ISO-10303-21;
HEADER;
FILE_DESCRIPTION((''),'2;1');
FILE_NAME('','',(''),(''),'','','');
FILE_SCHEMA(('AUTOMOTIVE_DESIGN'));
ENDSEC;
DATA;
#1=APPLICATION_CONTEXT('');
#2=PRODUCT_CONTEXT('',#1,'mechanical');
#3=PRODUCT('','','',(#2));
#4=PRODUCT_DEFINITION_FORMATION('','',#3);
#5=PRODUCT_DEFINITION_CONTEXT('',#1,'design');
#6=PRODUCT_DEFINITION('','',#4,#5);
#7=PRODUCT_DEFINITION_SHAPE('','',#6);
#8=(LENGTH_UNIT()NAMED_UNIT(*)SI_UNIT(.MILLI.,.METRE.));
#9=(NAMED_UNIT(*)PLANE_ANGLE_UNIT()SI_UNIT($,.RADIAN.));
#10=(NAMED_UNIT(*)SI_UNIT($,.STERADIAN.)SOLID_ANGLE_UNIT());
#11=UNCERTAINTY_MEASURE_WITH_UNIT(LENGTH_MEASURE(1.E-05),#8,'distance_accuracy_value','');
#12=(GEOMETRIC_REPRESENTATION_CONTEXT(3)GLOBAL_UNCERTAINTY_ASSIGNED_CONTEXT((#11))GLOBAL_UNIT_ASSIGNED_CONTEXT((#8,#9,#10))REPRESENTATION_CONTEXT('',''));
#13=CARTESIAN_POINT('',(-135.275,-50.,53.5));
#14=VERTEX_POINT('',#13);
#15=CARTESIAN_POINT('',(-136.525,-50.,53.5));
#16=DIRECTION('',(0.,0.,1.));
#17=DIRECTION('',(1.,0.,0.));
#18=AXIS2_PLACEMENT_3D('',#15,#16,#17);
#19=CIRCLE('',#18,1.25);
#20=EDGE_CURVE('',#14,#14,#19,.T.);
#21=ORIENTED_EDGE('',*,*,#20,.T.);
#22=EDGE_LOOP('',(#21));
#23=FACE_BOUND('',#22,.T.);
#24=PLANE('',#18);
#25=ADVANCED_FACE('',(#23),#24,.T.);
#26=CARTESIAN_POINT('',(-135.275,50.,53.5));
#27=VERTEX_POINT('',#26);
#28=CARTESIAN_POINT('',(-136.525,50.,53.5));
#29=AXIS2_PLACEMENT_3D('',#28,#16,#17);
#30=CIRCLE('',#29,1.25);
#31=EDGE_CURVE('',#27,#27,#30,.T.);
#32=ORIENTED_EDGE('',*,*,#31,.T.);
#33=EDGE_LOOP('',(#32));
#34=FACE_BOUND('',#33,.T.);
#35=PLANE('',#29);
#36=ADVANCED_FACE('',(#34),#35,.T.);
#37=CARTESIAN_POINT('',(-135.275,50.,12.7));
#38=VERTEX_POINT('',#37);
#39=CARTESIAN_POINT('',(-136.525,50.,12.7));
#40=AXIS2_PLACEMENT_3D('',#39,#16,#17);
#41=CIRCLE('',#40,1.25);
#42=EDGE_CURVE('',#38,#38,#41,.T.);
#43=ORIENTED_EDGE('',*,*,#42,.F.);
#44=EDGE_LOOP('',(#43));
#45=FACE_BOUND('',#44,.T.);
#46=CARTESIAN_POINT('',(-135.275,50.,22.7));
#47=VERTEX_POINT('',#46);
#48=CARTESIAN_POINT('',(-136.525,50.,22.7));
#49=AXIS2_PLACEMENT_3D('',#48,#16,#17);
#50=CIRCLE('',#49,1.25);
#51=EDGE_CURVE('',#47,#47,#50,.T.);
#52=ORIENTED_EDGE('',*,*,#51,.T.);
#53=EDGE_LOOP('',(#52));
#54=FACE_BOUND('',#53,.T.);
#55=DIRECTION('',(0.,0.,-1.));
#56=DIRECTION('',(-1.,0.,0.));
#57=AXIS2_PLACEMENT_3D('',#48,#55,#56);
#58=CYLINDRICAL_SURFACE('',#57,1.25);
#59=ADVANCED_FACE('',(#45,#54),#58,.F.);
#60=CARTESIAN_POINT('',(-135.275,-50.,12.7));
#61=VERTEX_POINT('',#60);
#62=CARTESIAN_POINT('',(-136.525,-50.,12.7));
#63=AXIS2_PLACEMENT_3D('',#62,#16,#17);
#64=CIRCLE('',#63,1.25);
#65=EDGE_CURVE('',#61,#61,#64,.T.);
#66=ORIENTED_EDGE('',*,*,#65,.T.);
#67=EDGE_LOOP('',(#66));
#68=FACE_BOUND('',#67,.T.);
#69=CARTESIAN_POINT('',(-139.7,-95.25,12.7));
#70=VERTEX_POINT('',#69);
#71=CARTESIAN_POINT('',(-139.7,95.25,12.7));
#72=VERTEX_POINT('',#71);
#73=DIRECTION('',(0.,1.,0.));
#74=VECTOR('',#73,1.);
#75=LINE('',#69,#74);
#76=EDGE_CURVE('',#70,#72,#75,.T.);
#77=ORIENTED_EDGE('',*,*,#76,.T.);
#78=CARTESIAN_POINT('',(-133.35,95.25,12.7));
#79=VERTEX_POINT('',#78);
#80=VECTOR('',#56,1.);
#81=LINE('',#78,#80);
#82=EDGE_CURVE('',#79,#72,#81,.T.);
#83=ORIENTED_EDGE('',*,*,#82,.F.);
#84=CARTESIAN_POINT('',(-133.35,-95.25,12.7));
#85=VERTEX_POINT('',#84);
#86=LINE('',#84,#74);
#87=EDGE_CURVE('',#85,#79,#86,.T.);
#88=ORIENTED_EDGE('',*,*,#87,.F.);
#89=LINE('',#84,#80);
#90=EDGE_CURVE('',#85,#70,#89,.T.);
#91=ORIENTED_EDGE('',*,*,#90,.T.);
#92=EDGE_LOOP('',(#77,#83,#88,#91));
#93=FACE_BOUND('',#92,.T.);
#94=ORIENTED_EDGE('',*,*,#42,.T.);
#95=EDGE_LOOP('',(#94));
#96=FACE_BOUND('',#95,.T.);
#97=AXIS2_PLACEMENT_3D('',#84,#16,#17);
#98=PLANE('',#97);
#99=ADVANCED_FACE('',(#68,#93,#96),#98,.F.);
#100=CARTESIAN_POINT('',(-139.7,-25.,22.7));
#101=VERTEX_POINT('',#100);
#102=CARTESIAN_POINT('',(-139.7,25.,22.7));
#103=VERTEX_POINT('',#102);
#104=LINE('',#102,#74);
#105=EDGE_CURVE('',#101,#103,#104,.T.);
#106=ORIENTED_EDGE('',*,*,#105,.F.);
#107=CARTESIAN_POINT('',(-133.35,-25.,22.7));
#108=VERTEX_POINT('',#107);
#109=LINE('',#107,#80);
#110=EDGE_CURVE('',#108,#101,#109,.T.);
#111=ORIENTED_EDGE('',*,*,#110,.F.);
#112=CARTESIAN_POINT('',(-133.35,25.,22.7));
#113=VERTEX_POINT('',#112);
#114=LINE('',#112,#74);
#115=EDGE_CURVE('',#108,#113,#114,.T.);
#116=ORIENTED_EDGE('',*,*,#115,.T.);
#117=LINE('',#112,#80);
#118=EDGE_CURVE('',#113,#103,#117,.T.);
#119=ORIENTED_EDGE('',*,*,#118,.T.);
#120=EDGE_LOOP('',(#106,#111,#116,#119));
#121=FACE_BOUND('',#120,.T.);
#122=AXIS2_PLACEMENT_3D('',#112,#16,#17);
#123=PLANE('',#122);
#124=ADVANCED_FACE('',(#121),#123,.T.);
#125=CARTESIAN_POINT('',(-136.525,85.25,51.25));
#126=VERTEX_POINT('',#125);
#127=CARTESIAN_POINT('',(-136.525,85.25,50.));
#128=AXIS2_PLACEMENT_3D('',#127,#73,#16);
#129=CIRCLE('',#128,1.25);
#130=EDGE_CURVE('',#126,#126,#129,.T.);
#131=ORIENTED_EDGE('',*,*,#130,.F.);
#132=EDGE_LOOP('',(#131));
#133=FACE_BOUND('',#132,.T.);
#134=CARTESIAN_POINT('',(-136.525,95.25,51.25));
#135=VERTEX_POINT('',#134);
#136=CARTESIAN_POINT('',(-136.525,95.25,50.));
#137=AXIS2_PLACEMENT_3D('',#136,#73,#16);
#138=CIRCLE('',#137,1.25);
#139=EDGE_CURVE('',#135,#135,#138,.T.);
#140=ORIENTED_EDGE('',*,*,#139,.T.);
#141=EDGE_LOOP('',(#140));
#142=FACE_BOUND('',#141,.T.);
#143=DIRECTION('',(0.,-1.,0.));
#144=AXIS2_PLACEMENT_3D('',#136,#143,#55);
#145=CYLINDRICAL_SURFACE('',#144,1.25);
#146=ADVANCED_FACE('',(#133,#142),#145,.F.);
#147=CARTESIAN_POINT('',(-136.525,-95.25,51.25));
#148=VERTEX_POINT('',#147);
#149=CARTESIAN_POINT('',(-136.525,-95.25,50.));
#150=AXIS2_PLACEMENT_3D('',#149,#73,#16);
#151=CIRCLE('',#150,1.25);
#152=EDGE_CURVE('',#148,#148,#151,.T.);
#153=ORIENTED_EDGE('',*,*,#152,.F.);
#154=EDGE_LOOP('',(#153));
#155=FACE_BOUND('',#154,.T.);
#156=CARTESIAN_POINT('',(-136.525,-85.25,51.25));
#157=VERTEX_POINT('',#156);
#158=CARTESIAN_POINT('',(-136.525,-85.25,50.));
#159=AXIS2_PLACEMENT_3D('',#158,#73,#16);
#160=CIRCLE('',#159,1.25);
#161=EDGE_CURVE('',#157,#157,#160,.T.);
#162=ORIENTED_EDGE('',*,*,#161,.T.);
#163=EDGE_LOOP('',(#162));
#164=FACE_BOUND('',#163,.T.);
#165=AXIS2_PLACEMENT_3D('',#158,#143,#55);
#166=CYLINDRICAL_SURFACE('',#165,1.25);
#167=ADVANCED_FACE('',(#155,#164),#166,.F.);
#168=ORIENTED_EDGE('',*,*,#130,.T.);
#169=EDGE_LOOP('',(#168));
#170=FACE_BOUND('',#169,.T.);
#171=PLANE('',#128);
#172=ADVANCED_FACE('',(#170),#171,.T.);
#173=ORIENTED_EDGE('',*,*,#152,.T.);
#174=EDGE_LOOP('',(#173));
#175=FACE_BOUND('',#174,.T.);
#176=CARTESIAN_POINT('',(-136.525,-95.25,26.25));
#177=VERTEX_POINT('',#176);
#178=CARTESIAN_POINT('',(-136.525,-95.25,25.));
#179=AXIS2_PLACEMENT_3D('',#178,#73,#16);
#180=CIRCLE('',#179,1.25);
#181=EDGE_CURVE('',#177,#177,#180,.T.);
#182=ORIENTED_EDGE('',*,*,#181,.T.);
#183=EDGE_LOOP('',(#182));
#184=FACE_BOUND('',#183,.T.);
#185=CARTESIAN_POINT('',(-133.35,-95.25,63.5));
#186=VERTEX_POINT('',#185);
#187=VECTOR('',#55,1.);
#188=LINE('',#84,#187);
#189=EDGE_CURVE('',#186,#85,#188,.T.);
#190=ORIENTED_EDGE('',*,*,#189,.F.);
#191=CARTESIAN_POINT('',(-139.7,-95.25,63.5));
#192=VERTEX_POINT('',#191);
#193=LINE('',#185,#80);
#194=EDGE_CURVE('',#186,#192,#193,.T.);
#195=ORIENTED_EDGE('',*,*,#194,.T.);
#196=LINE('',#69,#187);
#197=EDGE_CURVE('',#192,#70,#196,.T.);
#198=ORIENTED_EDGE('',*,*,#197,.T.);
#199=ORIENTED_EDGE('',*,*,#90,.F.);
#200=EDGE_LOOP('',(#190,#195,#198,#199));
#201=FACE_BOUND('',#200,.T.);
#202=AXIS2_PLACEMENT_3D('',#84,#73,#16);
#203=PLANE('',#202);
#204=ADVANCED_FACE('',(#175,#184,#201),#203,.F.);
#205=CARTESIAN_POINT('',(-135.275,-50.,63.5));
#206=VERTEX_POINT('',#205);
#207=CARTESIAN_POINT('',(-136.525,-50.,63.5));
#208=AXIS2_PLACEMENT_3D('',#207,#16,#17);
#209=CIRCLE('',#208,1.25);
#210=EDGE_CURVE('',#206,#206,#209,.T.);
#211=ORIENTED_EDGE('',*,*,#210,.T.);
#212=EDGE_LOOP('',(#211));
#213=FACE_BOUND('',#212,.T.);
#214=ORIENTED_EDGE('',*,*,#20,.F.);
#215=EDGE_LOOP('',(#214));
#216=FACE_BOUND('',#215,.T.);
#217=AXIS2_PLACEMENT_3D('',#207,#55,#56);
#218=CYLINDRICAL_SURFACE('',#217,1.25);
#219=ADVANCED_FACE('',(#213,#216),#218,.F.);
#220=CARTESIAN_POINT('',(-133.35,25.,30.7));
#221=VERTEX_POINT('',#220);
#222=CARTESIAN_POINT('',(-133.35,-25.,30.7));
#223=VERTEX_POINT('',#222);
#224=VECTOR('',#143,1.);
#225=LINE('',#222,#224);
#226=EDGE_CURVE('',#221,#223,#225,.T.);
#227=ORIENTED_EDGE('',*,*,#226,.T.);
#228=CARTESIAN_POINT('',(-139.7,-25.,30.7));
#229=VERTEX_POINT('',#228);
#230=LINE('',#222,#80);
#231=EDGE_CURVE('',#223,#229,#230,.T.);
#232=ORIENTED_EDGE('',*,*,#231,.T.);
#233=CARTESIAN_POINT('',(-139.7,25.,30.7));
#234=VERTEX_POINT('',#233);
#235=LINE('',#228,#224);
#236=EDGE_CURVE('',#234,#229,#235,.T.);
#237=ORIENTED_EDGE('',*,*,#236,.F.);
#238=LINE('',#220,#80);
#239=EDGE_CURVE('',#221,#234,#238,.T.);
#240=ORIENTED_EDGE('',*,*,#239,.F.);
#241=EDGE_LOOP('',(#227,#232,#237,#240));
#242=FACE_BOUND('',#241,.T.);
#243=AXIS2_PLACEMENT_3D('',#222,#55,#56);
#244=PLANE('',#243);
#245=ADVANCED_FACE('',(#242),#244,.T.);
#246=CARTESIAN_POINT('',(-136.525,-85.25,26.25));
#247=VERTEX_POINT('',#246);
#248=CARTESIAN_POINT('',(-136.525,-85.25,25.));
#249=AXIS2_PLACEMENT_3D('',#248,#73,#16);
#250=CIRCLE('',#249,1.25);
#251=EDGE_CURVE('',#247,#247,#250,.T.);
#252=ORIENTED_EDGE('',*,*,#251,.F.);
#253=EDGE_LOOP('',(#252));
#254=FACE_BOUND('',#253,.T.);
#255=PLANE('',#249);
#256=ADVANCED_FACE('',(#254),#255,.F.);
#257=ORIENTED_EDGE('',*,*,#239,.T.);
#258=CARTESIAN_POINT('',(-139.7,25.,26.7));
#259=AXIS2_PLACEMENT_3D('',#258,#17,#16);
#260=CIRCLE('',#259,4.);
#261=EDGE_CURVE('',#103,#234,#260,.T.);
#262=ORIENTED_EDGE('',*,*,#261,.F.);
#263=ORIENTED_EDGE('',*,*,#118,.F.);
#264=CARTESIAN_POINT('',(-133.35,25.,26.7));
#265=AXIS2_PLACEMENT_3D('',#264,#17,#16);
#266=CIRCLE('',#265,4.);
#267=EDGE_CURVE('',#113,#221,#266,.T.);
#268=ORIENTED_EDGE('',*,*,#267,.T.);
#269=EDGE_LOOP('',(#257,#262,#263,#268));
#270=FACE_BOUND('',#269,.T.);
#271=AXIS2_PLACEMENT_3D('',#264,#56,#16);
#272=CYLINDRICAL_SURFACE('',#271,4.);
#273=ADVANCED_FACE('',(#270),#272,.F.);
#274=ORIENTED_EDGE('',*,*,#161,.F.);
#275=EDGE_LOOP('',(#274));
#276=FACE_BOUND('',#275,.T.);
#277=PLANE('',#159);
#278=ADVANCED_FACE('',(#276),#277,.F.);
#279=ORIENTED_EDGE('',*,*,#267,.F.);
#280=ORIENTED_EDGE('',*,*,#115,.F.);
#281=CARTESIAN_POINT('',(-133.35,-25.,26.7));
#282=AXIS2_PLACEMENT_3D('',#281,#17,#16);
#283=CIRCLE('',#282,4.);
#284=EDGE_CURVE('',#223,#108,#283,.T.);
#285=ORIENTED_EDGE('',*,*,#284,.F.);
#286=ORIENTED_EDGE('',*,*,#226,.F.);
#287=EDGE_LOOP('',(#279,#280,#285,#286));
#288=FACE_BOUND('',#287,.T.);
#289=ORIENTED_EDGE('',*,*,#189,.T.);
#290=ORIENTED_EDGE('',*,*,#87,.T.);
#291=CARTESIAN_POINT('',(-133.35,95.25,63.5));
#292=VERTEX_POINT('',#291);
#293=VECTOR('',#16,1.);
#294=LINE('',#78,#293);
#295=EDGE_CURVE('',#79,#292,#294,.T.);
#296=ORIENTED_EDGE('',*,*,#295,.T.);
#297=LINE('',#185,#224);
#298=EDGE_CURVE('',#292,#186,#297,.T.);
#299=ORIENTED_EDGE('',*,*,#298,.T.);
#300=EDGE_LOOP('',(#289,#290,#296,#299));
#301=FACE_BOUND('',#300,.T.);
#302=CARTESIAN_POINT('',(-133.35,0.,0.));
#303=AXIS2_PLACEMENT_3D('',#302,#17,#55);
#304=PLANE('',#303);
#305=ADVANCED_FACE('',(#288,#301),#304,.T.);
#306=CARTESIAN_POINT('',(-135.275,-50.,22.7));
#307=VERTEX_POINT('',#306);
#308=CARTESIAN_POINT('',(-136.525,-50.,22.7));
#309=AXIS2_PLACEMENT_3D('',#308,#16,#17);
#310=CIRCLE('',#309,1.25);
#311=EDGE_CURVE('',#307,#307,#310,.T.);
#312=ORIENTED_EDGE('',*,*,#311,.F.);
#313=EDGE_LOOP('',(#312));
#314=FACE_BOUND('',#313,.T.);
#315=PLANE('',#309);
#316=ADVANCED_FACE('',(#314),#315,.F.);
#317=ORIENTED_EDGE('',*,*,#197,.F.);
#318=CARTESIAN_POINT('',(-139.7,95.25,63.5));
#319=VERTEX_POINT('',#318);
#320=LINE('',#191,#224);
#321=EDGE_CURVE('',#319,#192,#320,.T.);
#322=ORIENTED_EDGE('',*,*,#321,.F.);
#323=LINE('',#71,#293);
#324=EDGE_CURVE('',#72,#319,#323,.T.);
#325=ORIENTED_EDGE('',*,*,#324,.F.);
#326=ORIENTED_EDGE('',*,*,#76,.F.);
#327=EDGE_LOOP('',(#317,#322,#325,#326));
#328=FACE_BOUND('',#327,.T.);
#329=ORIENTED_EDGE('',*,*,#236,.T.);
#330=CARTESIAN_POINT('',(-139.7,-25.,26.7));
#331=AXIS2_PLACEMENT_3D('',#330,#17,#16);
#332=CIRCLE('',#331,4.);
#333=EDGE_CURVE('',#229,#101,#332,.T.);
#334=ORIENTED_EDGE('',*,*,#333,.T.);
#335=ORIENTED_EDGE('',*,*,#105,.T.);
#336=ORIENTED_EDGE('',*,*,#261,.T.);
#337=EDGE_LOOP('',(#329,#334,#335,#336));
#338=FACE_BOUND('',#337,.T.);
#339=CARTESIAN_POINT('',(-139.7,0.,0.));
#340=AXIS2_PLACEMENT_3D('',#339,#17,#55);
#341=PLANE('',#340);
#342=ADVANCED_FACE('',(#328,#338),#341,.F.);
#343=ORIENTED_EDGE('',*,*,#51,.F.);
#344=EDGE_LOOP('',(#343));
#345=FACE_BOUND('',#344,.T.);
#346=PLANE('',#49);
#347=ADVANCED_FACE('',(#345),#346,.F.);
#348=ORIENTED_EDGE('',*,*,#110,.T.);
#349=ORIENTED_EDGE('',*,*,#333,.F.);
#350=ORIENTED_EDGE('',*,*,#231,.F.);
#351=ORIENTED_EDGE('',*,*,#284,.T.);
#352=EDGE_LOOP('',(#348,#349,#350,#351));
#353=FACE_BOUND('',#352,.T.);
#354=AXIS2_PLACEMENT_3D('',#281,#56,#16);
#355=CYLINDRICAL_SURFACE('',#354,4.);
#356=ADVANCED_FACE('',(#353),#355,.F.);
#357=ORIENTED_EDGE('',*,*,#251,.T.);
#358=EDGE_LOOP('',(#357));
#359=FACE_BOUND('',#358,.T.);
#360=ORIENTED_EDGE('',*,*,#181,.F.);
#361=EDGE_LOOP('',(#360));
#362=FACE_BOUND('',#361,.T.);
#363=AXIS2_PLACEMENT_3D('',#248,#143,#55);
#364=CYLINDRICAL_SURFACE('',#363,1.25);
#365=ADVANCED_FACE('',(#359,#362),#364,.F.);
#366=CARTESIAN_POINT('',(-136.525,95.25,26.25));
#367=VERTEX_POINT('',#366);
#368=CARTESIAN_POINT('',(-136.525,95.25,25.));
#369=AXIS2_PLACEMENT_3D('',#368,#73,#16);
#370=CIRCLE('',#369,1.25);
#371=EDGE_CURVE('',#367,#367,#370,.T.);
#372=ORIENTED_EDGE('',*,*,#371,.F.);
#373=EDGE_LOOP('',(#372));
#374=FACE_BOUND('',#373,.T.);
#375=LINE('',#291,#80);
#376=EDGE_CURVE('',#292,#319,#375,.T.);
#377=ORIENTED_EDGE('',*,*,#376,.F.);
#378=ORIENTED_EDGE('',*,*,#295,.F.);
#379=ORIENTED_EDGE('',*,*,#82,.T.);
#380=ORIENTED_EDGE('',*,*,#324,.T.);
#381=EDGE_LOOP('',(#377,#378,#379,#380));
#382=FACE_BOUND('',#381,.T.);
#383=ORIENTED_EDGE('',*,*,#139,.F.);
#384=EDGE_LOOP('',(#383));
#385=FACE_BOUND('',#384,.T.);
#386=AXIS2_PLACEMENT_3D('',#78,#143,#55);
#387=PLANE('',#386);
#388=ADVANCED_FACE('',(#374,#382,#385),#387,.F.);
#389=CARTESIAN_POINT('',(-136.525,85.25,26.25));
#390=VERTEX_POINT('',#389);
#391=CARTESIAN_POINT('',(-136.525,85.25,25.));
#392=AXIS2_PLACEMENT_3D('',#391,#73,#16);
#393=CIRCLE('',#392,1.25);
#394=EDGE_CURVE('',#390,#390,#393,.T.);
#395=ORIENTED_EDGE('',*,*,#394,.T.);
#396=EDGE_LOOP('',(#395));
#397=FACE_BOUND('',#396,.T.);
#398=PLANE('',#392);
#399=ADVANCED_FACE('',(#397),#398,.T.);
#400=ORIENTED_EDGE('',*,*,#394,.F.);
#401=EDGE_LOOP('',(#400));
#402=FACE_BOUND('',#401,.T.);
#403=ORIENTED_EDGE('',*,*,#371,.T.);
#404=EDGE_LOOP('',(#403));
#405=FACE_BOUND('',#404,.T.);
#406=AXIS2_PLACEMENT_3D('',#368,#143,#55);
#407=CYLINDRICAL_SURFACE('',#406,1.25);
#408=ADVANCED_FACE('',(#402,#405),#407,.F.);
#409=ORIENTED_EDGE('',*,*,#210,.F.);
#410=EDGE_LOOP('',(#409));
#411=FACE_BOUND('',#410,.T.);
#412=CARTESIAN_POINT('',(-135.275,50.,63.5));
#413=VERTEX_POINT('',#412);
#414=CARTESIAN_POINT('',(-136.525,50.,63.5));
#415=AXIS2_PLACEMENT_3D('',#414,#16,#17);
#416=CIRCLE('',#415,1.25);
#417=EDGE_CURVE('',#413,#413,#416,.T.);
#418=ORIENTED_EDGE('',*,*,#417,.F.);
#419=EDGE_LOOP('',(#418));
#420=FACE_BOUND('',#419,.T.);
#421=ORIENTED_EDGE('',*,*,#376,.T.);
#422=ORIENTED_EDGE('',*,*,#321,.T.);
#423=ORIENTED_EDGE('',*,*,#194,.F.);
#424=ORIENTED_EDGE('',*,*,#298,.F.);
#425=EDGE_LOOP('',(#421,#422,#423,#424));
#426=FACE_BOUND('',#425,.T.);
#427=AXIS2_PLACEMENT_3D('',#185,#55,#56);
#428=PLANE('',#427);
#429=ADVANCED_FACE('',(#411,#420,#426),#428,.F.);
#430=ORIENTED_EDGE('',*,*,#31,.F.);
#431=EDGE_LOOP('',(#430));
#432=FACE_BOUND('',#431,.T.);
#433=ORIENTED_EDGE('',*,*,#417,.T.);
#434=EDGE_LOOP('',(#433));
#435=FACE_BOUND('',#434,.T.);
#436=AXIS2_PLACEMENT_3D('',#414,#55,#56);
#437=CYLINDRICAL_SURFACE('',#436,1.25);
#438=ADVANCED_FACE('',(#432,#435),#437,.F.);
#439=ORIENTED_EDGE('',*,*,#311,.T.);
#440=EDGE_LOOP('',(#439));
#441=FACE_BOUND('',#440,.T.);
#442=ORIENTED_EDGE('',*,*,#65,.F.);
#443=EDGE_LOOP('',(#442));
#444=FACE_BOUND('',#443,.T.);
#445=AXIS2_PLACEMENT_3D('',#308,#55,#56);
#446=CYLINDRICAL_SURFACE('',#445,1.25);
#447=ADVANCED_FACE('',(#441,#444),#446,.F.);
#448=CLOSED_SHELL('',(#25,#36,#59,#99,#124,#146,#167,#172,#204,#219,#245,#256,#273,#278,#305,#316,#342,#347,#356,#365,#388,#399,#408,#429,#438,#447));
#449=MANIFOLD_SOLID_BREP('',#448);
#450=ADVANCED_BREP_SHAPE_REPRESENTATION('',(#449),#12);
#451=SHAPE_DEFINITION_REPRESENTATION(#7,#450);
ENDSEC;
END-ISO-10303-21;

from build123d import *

# Parameters (mm, degrees)
PARED_X_1_4IN_START           = -139.7
CROQUIS1_W                    = 50.8
CROQUIS1_H                    = 190.5
PARED_X_1_4IN_DEPTH           = 6.35
ROSCA_M3_INFERIOR_START       = 12.7
CROQUIS2_R                    = 1.25
ROSCA_M3_INFERIOR_DEPTH       = 10
ROSCA_M3_SUPERIOR_START       = 53.5
CROQUIS3_R                    = 1.25
ROSCA_M3_SUPERIOR_DEPTH       = 10
ROSCA_M3_ESQUINA_Y_START      = 85.25
CROQUIS4_R                    = 1.25
ROSCA_M3_ESQUINA_Y_DEPTH      = 10
ROSCA_M3_ESQUINA_Y_START_2    = -95.25
CROQUIS5_R                    = 1.25
ROSCA_M3_ESQUINA_Y_2_DEPTH    = 10
PASO_CABLE_ALIMENTACION_START = -139.7
PASO_CABLE_ALIMENTACION_DEPTH = 6.35


with BuildPart() as part:
    # Croquis1 → Pared_X_1-4in (new body)
    with BuildSketch(Plane(origin=(0, 0, 0), x_dir=(0, 0, -1), z_dir=(1, 0, 0)).offset(PARED_X_1_4IN_START)):
        with Locations((-38.1, 0)):
            Rectangle(CROQUIS1_W, CROQUIS1_H)
    extrude(amount=PARED_X_1_4IN_DEPTH)

    # Croquis2 → Rosca_M3_inferior (cut)
    with BuildSketch(Plane.XY.offset(ROSCA_M3_INFERIOR_START)):
        with Locations((-136.525, -50)):
            Circle(CROQUIS2_R)
        with Locations((-136.525, 50)):
            Circle(CROQUIS2_R)
    extrude(amount=ROSCA_M3_INFERIOR_DEPTH, mode=Mode.SUBTRACT)

    # Croquis3 → Rosca_M3_superior (cut)
    with BuildSketch(Plane.XY.offset(ROSCA_M3_SUPERIOR_START)):
        with Locations((-136.525, -50)):
            Circle(CROQUIS3_R)
        with Locations((-136.525, 50)):
            Circle(CROQUIS3_R)
    extrude(amount=ROSCA_M3_SUPERIOR_DEPTH, mode=Mode.SUBTRACT)

    # Croquis4 → Rosca_M3_esquina__Y (cut)
    with BuildSketch(Plane(origin=(0, 0, 0), x_dir=(1, 0, 0), z_dir=(0, 1, 0)).offset(ROSCA_M3_ESQUINA_Y_START)):
        with Locations(Location((-136.525, -25, 0), (0, 0, 270))):
            Circle(CROQUIS4_R)
        with Locations(Location((-136.525, -50, 0), (0, 0, 270))):
            Circle(CROQUIS4_R)
    extrude(amount=ROSCA_M3_ESQUINA_Y_DEPTH, mode=Mode.SUBTRACT)

    # Croquis5 → Rosca_M3_esquina_-Y 2 (cut)
    with BuildSketch(Plane(origin=(0, 0, 0), x_dir=(1, 0, 0), z_dir=(0, 1, 0)).offset(ROSCA_M3_ESQUINA_Y_START_2)):
        with Locations(Location((-136.525, -25, 0), (0, 0, 270))):
            Circle(CROQUIS5_R)
        with Locations(Location((-136.525, -50, 0), (0, 0, 270))):
            Circle(CROQUIS5_R)
    extrude(amount=ROSCA_M3_ESQUINA_Y_2_DEPTH, mode=Mode.SUBTRACT)

    # Croquis6 → Paso_cable_alimentacion (cut)
    with BuildSketch(Plane(origin=(0, 0, 0), x_dir=(0, 0, -1), z_dir=(1, 0, 0)).offset(PASO_CABLE_ALIMENTACION_START)):
        with BuildLine():
            Line((-30.7, -25), (-30.7, 25))
            ThreePointArc((-30.7, 25), (-26.7, 29), (-22.7, 25))
            Line((-22.7, 25), (-22.7, -25))
            ThreePointArc((-22.7, -25), (-26.7, -29), (-30.7, -25))
        make_face()
    extrude(amount=PASO_CABLE_ALIMENTACION_DEPTH, mode=Mode.SUBTRACT)


solid = part.part
